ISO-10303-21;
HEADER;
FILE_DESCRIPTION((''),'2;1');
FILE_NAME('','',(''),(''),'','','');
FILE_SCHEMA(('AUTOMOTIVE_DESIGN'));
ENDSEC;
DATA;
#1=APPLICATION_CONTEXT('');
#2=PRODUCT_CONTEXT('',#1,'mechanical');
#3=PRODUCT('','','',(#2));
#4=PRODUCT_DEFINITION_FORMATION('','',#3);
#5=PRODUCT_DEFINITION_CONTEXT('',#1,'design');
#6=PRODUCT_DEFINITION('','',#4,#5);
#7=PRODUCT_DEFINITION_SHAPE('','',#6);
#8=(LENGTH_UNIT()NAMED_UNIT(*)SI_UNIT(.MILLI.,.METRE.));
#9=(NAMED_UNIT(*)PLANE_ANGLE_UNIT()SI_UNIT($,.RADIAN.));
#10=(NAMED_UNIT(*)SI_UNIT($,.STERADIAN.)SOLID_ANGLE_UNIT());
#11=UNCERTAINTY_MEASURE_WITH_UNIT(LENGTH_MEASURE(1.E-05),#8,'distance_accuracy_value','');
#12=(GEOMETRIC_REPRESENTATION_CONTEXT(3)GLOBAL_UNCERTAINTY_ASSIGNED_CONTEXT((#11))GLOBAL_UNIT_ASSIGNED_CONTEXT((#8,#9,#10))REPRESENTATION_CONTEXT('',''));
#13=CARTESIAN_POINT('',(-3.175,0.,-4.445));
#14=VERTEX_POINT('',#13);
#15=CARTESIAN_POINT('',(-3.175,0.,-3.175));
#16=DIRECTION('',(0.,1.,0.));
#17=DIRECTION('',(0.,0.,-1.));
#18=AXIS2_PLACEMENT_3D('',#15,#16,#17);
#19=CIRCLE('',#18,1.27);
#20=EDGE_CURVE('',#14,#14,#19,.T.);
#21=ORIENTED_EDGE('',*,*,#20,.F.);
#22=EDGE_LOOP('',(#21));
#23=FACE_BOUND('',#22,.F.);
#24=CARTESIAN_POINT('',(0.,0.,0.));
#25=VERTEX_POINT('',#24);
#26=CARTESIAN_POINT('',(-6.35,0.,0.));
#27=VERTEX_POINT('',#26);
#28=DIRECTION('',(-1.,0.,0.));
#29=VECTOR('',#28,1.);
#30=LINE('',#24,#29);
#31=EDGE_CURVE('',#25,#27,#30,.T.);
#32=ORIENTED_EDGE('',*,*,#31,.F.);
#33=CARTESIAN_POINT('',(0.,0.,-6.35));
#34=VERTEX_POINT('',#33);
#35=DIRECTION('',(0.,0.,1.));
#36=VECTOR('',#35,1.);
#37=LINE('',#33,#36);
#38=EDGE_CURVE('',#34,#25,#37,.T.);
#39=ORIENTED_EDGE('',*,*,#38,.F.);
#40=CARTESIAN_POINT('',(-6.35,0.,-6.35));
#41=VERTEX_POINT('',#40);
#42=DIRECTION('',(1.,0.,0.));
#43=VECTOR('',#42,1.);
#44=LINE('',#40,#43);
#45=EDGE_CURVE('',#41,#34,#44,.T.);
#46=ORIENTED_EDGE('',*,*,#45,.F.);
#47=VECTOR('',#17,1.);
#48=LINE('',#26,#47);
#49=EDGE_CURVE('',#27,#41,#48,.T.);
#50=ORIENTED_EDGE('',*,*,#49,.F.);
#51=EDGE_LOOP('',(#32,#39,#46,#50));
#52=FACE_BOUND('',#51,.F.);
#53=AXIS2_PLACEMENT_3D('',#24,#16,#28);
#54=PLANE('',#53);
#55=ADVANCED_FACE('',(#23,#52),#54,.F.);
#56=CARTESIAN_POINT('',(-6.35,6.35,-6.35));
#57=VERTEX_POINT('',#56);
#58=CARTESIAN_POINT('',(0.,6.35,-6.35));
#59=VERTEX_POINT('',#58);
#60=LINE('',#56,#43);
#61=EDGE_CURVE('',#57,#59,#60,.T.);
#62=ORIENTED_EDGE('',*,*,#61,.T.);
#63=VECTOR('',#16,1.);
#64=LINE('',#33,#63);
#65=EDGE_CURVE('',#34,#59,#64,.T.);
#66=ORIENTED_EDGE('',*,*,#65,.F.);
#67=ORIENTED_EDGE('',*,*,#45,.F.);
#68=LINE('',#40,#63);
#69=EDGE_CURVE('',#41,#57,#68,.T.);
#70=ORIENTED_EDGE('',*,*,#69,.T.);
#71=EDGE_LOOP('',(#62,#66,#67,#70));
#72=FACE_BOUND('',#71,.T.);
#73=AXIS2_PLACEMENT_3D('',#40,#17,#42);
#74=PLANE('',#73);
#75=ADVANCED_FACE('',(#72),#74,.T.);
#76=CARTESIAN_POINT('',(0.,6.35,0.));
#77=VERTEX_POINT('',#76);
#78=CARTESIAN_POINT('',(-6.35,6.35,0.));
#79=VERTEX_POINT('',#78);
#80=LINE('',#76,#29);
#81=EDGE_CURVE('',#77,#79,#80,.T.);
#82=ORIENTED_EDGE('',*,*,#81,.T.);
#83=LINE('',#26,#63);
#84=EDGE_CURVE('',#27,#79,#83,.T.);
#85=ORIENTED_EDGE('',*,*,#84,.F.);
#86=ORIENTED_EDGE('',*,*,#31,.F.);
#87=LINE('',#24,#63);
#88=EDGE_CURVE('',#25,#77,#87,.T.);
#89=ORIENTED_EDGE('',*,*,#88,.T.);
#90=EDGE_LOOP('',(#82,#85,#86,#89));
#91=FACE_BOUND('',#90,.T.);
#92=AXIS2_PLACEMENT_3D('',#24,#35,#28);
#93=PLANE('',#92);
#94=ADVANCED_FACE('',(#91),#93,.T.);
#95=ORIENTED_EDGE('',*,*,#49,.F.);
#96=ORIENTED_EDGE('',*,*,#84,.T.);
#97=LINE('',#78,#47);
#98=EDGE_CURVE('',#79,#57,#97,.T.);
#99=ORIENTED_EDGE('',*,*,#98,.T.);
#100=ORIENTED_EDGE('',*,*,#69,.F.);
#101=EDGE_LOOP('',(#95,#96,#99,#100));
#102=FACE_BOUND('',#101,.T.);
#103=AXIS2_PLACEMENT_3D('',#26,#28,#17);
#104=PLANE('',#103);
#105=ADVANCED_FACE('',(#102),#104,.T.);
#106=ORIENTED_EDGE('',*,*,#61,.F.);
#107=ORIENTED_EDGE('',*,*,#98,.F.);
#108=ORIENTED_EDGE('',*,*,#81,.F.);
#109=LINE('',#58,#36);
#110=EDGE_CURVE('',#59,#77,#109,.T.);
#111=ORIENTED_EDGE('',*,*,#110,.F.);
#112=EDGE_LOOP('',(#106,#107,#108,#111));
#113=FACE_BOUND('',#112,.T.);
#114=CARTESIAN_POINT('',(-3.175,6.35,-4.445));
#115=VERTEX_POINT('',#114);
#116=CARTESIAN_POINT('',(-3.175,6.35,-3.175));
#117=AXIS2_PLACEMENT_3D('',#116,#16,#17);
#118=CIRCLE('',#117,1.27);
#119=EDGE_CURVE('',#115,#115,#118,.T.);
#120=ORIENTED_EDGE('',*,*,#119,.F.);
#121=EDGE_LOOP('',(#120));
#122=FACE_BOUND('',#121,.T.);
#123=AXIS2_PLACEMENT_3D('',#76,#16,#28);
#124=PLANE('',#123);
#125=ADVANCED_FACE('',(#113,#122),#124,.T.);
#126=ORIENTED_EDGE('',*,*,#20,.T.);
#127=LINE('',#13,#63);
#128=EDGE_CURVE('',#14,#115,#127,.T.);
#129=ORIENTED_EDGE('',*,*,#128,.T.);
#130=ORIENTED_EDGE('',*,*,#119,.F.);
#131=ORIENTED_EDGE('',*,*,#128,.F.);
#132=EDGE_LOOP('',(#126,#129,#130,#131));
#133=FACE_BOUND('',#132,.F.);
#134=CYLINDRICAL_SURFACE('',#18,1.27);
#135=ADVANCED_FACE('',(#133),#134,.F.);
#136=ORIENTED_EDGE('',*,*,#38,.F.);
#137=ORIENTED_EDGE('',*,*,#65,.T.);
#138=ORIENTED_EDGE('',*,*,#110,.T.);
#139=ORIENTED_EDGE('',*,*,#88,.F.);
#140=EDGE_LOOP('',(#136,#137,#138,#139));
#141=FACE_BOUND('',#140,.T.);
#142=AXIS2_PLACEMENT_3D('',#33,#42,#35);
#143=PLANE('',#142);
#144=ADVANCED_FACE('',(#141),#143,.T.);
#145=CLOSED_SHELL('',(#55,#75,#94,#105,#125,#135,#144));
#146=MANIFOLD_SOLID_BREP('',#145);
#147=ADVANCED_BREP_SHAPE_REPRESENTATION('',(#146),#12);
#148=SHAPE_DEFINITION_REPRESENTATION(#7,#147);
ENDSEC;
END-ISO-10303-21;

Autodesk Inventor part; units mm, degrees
ref_plane "YZ Plane" through (0, 0, 0) normal (1, 0, 0) x (0, 1, 0)
ref_plane "XZ Plane" through (0, 0, 0) normal (0, 1, 0) x (-1, 0, 0)
ref_plane "XY Plane" through (0, 0, 0) normal (0, 0, 1) x (1, 0, 0)
sketch "SquareSketch1" plane through (0, 0, 0) normal (0, 1, 0) x (-1, 0, 0)
  line L0 (0, 0) -> (6.35, 0)
  line L1 (6.35, 0) -> (6.35, -6.35)
  line L2 (6.35, -6.35) -> (0, -6.35)
  line L3 (0, -6.35) -> (0, 0)
  point P0 (3.175, -3.175)
  point P1 (6.35, -3.175)
  point P2 (3.175, -6.35)
  dimension "d0" = 6.35
  dimension "d1" = 6.35
extrude "CubeExtrusion1" add sketch "SquareSketch1" along normal blind 6.35
hole "Hole1" at (-3.175, 0, -3.175) direction (0, 1, 0) diameter 2.54 end through all
equation "\"d1\" = d0"
equation "\"d2\" = d0"
properties part number "P4_1PivotCube"
